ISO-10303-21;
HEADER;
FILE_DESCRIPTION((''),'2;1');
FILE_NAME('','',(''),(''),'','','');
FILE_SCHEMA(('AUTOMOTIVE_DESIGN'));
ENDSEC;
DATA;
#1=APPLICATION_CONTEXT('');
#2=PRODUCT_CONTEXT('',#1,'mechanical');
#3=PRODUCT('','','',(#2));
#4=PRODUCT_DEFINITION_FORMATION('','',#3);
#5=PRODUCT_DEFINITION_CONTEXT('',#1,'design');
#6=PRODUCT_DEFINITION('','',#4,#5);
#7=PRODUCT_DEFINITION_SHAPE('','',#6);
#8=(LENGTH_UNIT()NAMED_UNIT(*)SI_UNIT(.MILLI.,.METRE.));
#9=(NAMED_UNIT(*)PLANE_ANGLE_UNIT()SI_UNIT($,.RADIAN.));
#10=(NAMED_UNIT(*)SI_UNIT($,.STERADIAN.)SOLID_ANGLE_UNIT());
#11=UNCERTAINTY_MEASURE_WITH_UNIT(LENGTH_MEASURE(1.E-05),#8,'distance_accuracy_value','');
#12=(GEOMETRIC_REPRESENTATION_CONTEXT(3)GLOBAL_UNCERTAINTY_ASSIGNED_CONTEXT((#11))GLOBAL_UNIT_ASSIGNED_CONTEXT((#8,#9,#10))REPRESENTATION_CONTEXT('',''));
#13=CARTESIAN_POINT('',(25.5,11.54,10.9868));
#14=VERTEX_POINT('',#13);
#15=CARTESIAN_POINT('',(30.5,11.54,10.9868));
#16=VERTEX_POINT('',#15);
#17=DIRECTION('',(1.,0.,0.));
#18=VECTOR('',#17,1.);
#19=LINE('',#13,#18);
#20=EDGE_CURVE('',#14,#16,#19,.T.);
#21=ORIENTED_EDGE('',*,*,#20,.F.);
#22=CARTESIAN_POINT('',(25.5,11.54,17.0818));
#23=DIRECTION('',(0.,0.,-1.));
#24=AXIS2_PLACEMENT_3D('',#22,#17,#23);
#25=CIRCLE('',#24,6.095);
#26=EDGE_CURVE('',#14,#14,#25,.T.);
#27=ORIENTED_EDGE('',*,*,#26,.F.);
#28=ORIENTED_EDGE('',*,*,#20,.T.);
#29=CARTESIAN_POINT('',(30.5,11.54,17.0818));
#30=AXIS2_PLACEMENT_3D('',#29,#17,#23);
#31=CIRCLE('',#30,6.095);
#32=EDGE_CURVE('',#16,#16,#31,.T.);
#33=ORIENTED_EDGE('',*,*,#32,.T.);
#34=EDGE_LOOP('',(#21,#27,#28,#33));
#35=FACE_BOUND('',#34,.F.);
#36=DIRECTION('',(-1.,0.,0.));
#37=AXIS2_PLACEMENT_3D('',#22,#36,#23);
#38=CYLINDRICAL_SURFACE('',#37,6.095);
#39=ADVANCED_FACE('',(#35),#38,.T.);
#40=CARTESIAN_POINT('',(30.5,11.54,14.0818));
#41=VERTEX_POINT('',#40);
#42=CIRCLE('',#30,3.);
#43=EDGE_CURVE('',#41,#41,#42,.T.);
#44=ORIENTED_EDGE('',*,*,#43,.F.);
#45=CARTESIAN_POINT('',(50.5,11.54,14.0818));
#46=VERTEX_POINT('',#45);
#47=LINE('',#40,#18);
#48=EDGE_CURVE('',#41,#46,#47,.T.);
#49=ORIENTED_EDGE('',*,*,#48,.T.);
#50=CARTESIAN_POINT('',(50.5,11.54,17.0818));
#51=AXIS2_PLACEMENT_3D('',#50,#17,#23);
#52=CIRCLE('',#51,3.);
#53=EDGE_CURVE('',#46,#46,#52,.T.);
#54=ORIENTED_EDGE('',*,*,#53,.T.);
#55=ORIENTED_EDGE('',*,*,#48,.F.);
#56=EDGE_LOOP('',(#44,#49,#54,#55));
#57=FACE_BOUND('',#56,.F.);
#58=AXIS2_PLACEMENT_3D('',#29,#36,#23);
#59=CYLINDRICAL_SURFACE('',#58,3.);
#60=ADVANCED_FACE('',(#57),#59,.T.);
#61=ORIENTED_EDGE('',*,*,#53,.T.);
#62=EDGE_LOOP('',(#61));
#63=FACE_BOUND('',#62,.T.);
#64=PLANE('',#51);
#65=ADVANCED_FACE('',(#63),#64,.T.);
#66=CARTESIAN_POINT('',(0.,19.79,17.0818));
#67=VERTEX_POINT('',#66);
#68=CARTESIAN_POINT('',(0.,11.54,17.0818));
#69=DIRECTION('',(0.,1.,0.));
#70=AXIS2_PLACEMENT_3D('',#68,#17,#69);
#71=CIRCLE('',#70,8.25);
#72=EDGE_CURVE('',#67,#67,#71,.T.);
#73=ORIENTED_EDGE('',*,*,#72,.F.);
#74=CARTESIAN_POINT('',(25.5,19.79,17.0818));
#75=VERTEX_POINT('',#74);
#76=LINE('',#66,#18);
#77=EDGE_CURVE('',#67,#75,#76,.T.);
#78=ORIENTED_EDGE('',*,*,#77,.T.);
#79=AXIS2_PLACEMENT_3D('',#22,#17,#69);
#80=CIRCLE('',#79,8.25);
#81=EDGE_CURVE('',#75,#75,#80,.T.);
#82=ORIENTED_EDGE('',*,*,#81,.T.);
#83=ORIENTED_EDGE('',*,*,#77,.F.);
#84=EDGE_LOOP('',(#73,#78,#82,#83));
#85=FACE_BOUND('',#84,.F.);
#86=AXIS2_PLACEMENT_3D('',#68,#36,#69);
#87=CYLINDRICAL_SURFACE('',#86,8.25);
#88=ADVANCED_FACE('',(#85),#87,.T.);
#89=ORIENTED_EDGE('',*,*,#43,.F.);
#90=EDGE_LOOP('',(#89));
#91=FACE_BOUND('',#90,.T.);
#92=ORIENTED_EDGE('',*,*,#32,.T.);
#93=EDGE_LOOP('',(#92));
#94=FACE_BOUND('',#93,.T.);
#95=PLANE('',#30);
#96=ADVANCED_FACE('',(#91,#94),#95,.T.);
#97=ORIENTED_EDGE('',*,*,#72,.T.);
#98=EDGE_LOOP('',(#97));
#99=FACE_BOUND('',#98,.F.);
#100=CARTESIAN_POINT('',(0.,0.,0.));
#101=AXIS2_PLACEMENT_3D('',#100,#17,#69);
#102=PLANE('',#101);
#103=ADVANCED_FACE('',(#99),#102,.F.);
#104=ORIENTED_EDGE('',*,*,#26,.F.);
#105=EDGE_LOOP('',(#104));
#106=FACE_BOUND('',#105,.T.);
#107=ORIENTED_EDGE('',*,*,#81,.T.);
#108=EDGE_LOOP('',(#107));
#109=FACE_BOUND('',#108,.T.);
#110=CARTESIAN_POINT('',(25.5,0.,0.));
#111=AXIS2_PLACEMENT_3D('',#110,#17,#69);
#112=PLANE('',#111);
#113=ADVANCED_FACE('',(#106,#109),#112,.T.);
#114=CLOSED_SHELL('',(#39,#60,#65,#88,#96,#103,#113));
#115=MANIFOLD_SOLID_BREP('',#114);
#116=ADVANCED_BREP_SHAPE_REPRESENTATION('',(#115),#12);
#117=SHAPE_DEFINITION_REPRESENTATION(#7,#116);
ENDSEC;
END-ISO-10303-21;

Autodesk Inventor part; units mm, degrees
ref_plane "YZ Plane" through (0, 0, 0) normal (1, 0, 0) x (0, 1, 0)
ref_plane "XZ Plane" through (0, 0, 0) normal (0, 1, 0) x (-1, 0, 0)
ref_plane "XY Plane" through (0, 0, 0) normal (0, 0, 1) x (1, 0, 0)
sketch "Sketch1" plane through (0, 0, 0) normal (1, 0, 0) x (0, 1, 0)
  circle A0 centre (11.54, 17.0818) radius 8.25
  point P0 (0, 0)
  dimension "d0" = 16.5
extrude "Plate1" add sketch "Sketch1" along normal blind 25.5
sketch "Sketch2" plane through (25.5, 11.54, 17.0818) normal (1, 0, 0) x (0, 0, -1)
  circle A0 centre (0, 0) radius 6.095
  point P0 (17.0818, -11.54)
  dimension "d2" = 12.19
extrude "Extrusion1" add sketch "Sketch2" along normal blind 5
sketch "Sketch3" plane through (30.5, 11.54, 17.0818) normal (1, 0, 0) x (0, 0, -1)
  circle A0 centre (0, 0) radius 3
  point P0 (17.0818, -11.54)
  dimension "d5" = 6
extrude "Extrusion2" add sketch "Sketch3" along normal blind 20
equation "\"d1\" = Thickness"
equation "\"BendRadius\" = Thickness"
equation "\"BendReliefWidth\" = Thickness"
equation "\"BendReliefDepth\" = 0.5 * Thickness"
equation "\"CornerReliefSize\" = 4 * Thickness"
equation "\"MinimumRemnant\" = 2 * Thickness"
equation "\"TransitionRadius\" = BendRadius"
equation "\"JacobiRadiusSize\" = BendRadius"
equation "\"GapSize\" = Thickness"
equation "\"Thickness\" = 25.5"
properties part number "dccc"
